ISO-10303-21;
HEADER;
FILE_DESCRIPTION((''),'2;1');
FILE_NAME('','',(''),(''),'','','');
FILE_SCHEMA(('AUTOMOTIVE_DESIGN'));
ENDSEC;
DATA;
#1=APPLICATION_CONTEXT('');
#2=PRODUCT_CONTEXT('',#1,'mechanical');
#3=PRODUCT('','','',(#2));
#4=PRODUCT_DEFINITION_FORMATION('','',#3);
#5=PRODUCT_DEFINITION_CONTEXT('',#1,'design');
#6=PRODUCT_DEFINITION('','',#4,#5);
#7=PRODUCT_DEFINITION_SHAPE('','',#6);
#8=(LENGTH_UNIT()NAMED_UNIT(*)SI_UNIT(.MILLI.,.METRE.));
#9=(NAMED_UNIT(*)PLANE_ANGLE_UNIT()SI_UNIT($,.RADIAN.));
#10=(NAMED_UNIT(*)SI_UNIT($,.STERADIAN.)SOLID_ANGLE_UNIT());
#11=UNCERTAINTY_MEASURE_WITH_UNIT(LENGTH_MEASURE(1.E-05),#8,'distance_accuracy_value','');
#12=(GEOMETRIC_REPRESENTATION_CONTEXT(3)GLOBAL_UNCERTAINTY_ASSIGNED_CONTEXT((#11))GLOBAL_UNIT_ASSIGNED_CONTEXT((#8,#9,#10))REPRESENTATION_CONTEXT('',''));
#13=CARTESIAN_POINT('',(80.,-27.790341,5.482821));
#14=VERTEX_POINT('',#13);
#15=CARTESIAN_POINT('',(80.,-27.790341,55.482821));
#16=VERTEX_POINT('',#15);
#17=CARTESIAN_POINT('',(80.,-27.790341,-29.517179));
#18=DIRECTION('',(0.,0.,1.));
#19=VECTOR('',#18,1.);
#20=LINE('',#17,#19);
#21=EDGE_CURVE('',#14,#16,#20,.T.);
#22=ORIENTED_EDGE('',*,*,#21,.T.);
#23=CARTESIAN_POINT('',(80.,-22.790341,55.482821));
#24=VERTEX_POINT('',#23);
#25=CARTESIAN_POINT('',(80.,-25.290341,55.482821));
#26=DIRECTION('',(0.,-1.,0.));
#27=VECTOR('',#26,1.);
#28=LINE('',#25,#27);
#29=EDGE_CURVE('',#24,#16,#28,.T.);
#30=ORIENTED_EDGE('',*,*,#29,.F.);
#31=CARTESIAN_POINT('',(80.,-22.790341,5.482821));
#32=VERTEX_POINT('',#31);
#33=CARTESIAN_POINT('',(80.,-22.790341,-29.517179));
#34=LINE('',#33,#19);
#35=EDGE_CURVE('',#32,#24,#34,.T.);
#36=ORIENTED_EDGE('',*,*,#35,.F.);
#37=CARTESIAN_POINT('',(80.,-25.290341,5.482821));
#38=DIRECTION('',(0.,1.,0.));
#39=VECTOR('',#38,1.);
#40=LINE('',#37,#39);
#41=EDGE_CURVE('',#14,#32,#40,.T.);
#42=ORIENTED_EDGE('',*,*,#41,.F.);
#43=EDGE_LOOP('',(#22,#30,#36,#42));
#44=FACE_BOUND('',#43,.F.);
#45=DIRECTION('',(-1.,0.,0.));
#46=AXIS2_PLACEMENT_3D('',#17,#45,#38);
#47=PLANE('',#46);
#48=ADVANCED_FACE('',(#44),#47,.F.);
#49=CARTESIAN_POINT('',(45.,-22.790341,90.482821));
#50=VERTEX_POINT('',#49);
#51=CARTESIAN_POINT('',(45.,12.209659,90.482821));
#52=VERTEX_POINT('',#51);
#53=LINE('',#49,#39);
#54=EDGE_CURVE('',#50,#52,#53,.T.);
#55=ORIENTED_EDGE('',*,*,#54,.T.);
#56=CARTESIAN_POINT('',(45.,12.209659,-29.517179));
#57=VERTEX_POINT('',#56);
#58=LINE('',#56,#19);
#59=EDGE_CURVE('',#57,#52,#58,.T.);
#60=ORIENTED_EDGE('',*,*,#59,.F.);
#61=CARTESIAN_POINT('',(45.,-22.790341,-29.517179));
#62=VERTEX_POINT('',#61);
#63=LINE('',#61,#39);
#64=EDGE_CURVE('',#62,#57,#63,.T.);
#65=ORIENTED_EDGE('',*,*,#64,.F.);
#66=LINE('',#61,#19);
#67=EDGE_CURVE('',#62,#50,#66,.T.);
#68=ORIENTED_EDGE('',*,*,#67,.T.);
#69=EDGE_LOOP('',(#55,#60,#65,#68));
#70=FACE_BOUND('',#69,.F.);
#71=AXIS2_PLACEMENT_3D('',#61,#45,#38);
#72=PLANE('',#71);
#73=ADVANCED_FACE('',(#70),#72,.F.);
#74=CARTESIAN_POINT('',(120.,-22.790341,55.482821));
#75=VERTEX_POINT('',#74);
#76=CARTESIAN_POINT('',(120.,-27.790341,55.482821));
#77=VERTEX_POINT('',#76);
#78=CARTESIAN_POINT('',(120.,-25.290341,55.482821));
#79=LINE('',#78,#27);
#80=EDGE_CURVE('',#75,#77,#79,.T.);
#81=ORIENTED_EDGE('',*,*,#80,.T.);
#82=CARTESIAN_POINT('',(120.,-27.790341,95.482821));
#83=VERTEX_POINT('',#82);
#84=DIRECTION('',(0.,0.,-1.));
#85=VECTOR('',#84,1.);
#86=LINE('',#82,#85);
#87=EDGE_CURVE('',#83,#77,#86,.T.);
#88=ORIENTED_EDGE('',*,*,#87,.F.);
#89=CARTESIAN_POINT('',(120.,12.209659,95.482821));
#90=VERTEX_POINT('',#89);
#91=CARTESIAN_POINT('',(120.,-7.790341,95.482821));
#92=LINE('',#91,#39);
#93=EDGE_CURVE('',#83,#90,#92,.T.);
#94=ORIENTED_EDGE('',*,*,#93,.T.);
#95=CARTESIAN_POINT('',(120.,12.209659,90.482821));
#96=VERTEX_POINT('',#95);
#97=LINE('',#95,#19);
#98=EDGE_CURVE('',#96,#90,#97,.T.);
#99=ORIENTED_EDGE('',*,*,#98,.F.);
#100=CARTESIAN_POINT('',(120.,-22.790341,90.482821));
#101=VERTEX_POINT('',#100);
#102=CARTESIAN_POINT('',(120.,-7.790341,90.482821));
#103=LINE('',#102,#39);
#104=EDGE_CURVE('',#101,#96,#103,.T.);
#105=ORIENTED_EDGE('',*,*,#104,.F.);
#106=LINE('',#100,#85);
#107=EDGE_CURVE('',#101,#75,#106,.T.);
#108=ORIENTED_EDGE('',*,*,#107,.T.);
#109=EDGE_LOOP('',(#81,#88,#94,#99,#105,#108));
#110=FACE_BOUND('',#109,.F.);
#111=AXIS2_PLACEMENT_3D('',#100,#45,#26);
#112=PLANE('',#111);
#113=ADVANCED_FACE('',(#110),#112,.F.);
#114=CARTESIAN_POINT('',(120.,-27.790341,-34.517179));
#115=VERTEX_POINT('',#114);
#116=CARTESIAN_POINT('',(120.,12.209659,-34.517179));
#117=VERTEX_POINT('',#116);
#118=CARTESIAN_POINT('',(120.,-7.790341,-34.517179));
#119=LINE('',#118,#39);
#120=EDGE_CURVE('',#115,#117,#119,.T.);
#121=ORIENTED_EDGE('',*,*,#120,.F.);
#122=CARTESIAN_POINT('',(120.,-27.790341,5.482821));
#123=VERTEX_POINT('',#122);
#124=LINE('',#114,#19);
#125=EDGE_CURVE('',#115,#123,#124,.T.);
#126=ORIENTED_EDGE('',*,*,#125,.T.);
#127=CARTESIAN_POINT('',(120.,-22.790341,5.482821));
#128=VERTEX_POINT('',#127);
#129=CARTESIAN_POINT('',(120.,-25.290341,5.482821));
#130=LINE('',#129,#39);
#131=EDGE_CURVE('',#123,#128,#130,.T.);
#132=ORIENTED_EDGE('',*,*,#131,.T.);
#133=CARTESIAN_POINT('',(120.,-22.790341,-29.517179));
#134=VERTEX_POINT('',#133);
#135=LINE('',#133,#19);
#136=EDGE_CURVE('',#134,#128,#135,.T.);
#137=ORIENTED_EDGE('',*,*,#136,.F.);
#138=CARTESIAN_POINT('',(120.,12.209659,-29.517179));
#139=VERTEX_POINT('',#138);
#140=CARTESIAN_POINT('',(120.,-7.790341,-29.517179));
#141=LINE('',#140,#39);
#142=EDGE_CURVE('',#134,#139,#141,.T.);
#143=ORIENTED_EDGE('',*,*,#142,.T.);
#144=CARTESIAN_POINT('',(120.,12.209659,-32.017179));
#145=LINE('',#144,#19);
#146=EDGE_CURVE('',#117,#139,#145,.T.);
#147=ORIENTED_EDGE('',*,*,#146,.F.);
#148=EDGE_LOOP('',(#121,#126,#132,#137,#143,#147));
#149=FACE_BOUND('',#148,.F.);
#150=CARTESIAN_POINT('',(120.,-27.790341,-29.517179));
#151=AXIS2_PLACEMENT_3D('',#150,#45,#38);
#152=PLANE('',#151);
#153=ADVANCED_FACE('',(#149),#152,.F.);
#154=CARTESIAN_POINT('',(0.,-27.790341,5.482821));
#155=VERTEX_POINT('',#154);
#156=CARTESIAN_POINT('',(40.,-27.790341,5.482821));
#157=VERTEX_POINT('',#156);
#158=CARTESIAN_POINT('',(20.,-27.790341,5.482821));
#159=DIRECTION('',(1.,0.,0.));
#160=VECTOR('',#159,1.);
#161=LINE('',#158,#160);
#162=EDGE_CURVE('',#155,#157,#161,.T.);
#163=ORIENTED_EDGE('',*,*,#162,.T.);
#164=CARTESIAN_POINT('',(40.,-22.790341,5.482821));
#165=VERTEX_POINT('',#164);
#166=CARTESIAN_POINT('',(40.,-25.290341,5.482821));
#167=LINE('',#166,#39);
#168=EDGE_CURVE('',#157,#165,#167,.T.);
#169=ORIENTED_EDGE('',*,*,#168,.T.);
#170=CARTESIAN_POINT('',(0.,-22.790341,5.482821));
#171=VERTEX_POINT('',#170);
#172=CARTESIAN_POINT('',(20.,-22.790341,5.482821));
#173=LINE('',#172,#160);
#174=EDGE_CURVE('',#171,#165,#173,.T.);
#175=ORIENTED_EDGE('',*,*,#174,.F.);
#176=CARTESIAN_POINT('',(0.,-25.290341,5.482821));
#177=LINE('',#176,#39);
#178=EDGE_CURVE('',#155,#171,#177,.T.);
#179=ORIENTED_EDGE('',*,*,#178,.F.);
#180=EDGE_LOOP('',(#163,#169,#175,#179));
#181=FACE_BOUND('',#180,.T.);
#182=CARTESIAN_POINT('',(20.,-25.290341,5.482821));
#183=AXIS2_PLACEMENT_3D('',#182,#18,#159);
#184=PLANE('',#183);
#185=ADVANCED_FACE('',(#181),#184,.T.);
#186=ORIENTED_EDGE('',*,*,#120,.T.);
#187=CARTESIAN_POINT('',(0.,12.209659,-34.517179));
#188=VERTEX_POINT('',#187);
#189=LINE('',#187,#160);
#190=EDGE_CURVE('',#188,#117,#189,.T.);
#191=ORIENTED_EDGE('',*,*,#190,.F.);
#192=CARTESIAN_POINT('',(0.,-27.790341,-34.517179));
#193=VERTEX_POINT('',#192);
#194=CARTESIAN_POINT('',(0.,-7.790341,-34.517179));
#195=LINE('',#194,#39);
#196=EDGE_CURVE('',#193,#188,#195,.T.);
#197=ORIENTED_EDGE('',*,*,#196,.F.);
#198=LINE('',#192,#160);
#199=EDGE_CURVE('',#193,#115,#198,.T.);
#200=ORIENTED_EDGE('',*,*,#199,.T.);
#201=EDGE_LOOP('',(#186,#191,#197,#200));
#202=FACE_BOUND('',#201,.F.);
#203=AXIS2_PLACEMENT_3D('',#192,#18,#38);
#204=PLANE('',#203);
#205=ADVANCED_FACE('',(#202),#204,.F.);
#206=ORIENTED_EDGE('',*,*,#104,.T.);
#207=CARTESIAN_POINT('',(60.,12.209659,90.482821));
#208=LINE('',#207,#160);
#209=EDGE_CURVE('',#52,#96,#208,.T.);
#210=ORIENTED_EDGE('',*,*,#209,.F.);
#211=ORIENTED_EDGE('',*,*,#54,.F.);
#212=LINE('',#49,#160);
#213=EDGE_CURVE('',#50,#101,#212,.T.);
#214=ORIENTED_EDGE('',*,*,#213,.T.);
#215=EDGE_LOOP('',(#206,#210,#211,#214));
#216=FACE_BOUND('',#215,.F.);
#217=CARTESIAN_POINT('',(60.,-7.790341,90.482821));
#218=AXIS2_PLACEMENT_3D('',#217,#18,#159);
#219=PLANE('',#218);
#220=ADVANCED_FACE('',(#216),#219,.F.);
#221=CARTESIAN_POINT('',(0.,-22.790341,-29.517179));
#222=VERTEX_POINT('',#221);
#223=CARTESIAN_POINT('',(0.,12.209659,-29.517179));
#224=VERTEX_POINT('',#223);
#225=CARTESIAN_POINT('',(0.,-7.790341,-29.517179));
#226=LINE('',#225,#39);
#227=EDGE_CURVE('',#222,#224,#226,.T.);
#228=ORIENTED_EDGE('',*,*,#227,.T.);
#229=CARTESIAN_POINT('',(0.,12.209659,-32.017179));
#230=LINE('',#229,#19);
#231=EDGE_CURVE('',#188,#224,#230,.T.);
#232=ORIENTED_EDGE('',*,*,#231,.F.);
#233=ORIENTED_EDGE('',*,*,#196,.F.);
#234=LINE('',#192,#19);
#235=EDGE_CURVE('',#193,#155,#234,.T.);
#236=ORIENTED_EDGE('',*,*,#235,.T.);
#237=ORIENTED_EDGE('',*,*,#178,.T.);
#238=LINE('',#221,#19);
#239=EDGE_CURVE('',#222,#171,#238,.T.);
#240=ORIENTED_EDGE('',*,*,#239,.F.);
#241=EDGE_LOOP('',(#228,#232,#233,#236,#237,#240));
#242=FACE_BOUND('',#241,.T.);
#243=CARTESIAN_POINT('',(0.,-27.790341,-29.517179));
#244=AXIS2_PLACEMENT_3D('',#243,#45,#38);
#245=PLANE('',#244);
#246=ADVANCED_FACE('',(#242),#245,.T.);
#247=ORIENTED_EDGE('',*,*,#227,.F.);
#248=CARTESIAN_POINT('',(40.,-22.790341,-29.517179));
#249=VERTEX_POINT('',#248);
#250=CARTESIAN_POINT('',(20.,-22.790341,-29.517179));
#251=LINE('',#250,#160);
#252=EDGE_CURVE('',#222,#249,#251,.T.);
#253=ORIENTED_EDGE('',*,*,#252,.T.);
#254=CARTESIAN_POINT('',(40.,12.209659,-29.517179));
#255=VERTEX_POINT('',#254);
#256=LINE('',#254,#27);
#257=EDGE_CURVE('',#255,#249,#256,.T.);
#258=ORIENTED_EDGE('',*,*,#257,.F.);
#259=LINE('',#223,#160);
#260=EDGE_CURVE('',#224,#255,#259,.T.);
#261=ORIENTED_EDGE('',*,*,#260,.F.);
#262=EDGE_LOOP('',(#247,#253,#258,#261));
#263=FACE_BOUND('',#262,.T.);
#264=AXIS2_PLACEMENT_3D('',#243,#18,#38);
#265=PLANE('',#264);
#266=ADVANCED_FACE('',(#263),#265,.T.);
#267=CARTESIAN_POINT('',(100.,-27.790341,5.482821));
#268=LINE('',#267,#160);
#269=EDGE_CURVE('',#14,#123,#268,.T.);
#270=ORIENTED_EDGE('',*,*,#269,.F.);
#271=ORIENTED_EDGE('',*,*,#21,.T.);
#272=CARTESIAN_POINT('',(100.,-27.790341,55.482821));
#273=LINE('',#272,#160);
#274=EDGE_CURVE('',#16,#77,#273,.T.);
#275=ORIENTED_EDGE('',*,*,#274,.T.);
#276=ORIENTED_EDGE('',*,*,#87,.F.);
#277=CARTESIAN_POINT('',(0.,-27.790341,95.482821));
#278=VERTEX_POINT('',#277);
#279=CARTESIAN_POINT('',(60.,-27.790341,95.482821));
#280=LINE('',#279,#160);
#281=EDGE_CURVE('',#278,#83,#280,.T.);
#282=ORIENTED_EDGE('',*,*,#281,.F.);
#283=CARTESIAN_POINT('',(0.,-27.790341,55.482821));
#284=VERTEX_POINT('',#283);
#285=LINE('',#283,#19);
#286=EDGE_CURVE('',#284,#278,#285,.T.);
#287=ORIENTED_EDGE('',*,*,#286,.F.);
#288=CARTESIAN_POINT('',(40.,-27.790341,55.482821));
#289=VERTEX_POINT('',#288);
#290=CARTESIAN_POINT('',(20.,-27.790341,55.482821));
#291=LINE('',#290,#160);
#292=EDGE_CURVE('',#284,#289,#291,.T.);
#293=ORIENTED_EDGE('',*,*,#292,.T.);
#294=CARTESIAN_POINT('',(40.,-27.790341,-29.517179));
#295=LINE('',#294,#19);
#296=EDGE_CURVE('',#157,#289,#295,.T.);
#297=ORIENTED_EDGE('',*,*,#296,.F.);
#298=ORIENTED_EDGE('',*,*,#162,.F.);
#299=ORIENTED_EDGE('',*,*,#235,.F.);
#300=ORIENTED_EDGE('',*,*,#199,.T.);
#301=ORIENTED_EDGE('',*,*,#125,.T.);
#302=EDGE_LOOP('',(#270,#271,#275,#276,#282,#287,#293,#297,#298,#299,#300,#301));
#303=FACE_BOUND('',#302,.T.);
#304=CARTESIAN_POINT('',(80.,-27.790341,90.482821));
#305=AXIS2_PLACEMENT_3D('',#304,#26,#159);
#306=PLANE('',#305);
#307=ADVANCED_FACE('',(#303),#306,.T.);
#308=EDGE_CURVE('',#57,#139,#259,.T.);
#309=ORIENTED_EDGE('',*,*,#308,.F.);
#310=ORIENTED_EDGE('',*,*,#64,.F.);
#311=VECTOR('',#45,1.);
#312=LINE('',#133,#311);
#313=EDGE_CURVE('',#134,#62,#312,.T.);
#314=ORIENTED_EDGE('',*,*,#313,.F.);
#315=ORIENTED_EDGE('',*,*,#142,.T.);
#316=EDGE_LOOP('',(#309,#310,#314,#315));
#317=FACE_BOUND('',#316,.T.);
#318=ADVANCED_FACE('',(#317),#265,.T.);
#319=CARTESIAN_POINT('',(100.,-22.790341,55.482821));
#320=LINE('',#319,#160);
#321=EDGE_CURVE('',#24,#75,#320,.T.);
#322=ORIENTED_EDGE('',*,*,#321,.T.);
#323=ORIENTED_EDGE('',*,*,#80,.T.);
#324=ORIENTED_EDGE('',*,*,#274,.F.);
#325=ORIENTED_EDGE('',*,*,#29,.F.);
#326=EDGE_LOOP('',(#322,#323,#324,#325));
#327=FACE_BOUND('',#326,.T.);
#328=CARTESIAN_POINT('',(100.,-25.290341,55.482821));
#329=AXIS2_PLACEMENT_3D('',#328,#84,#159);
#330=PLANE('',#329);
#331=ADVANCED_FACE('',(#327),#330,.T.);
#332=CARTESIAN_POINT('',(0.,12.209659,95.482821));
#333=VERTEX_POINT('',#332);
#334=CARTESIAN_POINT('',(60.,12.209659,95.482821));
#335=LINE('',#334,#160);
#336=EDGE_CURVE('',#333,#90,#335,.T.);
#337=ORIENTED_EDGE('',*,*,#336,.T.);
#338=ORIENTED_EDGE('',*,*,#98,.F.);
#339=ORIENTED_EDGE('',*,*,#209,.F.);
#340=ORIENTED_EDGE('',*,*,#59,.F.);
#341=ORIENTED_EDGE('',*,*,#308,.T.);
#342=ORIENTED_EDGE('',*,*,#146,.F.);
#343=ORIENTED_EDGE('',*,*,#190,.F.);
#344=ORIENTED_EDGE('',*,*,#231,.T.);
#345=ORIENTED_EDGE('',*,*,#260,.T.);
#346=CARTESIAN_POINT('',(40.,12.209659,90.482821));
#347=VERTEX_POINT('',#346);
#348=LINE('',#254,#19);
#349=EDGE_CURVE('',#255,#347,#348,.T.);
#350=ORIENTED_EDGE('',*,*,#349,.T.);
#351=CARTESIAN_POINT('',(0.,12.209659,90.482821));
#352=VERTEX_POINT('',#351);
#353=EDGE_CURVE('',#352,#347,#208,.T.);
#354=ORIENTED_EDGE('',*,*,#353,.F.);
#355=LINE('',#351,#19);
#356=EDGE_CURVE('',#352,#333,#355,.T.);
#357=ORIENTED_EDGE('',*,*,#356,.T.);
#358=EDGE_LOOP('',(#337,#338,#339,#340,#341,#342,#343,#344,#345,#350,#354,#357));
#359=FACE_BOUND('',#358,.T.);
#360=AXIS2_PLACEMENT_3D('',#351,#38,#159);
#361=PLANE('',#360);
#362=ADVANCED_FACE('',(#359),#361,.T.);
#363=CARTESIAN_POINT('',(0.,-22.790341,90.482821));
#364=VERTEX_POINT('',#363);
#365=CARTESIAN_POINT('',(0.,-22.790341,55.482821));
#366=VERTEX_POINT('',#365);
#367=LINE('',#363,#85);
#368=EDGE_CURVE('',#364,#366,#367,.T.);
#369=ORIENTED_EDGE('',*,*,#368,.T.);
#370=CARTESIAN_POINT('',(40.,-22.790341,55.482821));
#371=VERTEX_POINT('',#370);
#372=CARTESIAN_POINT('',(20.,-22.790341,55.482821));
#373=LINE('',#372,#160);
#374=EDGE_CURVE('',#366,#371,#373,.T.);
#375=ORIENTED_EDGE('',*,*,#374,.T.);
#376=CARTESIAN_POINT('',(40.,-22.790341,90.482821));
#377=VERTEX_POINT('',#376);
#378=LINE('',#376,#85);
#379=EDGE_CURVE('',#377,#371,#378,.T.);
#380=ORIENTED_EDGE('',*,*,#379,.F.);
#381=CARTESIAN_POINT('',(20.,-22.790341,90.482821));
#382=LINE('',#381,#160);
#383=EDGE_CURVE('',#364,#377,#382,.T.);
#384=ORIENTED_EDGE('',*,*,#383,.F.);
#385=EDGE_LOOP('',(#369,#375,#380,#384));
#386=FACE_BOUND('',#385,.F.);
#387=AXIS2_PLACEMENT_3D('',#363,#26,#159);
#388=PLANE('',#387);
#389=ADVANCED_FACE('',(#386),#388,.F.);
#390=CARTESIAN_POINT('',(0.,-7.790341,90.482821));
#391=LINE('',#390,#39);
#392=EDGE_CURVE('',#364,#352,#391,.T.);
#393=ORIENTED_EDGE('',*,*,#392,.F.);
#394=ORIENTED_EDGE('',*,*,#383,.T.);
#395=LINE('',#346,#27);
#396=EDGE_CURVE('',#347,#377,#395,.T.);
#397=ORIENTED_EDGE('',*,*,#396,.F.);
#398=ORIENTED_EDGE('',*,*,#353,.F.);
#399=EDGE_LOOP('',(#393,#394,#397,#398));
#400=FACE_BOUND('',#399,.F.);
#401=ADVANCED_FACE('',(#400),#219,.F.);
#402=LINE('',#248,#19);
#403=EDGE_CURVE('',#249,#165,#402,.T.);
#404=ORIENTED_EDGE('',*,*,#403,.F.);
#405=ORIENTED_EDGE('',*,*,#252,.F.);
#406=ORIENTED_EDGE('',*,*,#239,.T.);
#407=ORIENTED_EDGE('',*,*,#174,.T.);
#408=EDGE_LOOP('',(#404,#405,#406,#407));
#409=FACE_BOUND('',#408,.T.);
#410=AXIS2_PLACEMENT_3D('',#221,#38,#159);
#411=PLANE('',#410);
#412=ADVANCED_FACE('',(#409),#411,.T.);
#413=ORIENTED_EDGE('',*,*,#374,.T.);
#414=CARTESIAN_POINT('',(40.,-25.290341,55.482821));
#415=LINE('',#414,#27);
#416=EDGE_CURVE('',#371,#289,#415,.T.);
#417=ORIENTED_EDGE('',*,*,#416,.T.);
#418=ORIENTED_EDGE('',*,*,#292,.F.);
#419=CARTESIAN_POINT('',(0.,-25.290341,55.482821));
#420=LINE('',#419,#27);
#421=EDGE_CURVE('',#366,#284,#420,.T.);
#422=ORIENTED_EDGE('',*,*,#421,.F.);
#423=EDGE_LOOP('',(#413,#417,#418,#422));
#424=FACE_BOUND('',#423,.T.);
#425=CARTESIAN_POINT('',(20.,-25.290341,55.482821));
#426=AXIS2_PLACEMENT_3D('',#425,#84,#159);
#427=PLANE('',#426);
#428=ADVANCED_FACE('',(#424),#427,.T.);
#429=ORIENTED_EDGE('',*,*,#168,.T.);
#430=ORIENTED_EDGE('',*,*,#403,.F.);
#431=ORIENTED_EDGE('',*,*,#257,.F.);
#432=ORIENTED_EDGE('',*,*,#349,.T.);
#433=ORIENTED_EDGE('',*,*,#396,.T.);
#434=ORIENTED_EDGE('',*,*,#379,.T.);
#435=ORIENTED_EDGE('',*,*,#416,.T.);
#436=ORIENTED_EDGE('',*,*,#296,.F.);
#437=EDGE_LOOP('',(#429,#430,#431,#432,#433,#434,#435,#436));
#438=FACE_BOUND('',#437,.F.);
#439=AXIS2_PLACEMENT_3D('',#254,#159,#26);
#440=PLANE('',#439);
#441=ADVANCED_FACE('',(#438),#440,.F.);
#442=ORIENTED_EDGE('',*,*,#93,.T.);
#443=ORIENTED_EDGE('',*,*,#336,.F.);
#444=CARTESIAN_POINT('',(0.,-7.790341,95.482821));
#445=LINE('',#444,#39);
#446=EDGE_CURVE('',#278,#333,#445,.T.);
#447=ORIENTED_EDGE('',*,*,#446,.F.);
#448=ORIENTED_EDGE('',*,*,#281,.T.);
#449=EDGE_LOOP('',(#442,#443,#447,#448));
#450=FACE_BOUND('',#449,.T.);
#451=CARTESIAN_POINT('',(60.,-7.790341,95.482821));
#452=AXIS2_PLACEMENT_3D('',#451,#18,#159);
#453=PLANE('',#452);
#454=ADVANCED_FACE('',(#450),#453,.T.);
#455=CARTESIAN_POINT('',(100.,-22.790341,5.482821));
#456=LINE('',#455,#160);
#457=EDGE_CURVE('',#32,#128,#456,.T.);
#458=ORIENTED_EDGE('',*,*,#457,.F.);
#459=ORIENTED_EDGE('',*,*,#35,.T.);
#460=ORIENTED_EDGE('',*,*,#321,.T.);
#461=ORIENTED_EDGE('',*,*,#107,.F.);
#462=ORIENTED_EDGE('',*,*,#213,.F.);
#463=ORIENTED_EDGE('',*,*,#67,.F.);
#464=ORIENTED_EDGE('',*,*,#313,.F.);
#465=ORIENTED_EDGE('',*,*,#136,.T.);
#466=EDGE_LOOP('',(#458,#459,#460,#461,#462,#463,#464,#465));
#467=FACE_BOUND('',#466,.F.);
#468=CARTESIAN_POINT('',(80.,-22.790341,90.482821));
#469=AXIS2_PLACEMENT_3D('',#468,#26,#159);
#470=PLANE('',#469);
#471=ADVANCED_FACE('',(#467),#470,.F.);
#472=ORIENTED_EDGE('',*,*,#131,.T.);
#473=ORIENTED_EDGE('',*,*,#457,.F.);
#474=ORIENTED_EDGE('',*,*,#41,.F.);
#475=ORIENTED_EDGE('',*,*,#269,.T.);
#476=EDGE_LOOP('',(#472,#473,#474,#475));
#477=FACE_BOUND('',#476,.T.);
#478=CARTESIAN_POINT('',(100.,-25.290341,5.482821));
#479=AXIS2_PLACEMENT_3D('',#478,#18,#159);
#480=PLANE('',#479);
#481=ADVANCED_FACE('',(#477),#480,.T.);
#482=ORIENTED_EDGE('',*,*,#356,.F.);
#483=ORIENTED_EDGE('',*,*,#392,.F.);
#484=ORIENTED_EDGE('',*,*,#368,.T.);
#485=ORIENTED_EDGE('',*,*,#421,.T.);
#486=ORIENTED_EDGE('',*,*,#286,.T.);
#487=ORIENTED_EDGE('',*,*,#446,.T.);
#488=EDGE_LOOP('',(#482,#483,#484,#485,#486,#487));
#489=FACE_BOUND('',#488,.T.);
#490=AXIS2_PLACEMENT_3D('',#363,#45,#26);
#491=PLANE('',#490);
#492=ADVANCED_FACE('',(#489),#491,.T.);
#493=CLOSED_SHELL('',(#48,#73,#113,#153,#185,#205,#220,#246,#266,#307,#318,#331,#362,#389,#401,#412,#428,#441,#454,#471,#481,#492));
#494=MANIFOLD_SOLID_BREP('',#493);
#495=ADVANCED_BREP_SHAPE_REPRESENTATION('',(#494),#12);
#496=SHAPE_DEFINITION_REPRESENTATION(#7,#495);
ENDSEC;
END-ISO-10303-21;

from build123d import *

# Parameters (mm, degrees)
F0_W      = 40
F0_H      = 5
F1_DEPTH  = 120
F2_W      = 20
F2_H      = 5
F3_DEPTH  = 120
F4_W      = 120
F4_H      = 40
F5_DEPTH  = 5
F6_W      = 40
F6_H      = 5
F7_DEPTH  = 35
F8_W      = 40
F8_H      = 5
F9_DEPTH  = 35
F10_W     = 40
F10_H     = 5
F11_DEPTH = 35
F12_W     = 40
F12_H     = 5
F13_DEPTH = 35


with BuildPart() as f1:
    # F0 (on Right) → F1 (new body)
    with BuildSketch(Plane.YZ):
        with Locations((-7.7903409343, -32.0171793364)):
            Rectangle(F0_W, F0_H)
    extrude(amount=F1_DEPTH)

    # F2 (on face) → F3 (join)
    with BuildSketch(Plane.XY.offset(-29.5171793364)):
        Polygon((45, 12.2096590657), (40, 12.2096590657), (40, -27.7903409343), (60, -27.7903409343), (60, -22.7903409343), (45, -22.7903409343), align=None)
        with Locations((70, -25.2903409343)):
            Rectangle(F2_W, F2_H)
    extrude(amount=F3_DEPTH)

    # F4 (on face) → F5 (join)
    with BuildSketch(Plane.XY.offset(90.4828206636)):
        with Locations((60, -7.7903409343)):
            Rectangle(F4_W, F4_H)
    extrude(amount=F5_DEPTH)

    # F6 (on face) → F7 (join)
    with BuildSketch(Plane.XY.offset(-29.5171793364)):
        with Locations((20, -25.2903409343)):
            Rectangle(F6_W, F6_H)
    extrude(amount=F7_DEPTH)

    # F8 (on face) → F9 (join)
    with BuildSketch(Plane.XY.offset(-29.5171793364)):
        with Locations((100, -25.2903409343)):
            Rectangle(F8_W, F8_H)
    extrude(amount=F9_DEPTH)

    # F10 (on face) → F11 (join)
    with BuildSketch(Plane(origin=(0, 0, 90.4828206636), x_dir=(1, 0, 0), z_dir=(0, 0, -1))):
        with Locations((20, 25.2903409343)):
            Rectangle(F10_W, F10_H)
    extrude(amount=F11_DEPTH)

    # F12 (on face) → F13 (join)
    with BuildSketch(Plane(origin=(0, 0, 90.4828206636), x_dir=(1, 0, 0), z_dir=(0, 0, -1))):
        with Locations((100, 25.2903409343)):
            Rectangle(F12_W, F12_H)
    extrude(amount=F13_DEPTH)


solid = f1.part
